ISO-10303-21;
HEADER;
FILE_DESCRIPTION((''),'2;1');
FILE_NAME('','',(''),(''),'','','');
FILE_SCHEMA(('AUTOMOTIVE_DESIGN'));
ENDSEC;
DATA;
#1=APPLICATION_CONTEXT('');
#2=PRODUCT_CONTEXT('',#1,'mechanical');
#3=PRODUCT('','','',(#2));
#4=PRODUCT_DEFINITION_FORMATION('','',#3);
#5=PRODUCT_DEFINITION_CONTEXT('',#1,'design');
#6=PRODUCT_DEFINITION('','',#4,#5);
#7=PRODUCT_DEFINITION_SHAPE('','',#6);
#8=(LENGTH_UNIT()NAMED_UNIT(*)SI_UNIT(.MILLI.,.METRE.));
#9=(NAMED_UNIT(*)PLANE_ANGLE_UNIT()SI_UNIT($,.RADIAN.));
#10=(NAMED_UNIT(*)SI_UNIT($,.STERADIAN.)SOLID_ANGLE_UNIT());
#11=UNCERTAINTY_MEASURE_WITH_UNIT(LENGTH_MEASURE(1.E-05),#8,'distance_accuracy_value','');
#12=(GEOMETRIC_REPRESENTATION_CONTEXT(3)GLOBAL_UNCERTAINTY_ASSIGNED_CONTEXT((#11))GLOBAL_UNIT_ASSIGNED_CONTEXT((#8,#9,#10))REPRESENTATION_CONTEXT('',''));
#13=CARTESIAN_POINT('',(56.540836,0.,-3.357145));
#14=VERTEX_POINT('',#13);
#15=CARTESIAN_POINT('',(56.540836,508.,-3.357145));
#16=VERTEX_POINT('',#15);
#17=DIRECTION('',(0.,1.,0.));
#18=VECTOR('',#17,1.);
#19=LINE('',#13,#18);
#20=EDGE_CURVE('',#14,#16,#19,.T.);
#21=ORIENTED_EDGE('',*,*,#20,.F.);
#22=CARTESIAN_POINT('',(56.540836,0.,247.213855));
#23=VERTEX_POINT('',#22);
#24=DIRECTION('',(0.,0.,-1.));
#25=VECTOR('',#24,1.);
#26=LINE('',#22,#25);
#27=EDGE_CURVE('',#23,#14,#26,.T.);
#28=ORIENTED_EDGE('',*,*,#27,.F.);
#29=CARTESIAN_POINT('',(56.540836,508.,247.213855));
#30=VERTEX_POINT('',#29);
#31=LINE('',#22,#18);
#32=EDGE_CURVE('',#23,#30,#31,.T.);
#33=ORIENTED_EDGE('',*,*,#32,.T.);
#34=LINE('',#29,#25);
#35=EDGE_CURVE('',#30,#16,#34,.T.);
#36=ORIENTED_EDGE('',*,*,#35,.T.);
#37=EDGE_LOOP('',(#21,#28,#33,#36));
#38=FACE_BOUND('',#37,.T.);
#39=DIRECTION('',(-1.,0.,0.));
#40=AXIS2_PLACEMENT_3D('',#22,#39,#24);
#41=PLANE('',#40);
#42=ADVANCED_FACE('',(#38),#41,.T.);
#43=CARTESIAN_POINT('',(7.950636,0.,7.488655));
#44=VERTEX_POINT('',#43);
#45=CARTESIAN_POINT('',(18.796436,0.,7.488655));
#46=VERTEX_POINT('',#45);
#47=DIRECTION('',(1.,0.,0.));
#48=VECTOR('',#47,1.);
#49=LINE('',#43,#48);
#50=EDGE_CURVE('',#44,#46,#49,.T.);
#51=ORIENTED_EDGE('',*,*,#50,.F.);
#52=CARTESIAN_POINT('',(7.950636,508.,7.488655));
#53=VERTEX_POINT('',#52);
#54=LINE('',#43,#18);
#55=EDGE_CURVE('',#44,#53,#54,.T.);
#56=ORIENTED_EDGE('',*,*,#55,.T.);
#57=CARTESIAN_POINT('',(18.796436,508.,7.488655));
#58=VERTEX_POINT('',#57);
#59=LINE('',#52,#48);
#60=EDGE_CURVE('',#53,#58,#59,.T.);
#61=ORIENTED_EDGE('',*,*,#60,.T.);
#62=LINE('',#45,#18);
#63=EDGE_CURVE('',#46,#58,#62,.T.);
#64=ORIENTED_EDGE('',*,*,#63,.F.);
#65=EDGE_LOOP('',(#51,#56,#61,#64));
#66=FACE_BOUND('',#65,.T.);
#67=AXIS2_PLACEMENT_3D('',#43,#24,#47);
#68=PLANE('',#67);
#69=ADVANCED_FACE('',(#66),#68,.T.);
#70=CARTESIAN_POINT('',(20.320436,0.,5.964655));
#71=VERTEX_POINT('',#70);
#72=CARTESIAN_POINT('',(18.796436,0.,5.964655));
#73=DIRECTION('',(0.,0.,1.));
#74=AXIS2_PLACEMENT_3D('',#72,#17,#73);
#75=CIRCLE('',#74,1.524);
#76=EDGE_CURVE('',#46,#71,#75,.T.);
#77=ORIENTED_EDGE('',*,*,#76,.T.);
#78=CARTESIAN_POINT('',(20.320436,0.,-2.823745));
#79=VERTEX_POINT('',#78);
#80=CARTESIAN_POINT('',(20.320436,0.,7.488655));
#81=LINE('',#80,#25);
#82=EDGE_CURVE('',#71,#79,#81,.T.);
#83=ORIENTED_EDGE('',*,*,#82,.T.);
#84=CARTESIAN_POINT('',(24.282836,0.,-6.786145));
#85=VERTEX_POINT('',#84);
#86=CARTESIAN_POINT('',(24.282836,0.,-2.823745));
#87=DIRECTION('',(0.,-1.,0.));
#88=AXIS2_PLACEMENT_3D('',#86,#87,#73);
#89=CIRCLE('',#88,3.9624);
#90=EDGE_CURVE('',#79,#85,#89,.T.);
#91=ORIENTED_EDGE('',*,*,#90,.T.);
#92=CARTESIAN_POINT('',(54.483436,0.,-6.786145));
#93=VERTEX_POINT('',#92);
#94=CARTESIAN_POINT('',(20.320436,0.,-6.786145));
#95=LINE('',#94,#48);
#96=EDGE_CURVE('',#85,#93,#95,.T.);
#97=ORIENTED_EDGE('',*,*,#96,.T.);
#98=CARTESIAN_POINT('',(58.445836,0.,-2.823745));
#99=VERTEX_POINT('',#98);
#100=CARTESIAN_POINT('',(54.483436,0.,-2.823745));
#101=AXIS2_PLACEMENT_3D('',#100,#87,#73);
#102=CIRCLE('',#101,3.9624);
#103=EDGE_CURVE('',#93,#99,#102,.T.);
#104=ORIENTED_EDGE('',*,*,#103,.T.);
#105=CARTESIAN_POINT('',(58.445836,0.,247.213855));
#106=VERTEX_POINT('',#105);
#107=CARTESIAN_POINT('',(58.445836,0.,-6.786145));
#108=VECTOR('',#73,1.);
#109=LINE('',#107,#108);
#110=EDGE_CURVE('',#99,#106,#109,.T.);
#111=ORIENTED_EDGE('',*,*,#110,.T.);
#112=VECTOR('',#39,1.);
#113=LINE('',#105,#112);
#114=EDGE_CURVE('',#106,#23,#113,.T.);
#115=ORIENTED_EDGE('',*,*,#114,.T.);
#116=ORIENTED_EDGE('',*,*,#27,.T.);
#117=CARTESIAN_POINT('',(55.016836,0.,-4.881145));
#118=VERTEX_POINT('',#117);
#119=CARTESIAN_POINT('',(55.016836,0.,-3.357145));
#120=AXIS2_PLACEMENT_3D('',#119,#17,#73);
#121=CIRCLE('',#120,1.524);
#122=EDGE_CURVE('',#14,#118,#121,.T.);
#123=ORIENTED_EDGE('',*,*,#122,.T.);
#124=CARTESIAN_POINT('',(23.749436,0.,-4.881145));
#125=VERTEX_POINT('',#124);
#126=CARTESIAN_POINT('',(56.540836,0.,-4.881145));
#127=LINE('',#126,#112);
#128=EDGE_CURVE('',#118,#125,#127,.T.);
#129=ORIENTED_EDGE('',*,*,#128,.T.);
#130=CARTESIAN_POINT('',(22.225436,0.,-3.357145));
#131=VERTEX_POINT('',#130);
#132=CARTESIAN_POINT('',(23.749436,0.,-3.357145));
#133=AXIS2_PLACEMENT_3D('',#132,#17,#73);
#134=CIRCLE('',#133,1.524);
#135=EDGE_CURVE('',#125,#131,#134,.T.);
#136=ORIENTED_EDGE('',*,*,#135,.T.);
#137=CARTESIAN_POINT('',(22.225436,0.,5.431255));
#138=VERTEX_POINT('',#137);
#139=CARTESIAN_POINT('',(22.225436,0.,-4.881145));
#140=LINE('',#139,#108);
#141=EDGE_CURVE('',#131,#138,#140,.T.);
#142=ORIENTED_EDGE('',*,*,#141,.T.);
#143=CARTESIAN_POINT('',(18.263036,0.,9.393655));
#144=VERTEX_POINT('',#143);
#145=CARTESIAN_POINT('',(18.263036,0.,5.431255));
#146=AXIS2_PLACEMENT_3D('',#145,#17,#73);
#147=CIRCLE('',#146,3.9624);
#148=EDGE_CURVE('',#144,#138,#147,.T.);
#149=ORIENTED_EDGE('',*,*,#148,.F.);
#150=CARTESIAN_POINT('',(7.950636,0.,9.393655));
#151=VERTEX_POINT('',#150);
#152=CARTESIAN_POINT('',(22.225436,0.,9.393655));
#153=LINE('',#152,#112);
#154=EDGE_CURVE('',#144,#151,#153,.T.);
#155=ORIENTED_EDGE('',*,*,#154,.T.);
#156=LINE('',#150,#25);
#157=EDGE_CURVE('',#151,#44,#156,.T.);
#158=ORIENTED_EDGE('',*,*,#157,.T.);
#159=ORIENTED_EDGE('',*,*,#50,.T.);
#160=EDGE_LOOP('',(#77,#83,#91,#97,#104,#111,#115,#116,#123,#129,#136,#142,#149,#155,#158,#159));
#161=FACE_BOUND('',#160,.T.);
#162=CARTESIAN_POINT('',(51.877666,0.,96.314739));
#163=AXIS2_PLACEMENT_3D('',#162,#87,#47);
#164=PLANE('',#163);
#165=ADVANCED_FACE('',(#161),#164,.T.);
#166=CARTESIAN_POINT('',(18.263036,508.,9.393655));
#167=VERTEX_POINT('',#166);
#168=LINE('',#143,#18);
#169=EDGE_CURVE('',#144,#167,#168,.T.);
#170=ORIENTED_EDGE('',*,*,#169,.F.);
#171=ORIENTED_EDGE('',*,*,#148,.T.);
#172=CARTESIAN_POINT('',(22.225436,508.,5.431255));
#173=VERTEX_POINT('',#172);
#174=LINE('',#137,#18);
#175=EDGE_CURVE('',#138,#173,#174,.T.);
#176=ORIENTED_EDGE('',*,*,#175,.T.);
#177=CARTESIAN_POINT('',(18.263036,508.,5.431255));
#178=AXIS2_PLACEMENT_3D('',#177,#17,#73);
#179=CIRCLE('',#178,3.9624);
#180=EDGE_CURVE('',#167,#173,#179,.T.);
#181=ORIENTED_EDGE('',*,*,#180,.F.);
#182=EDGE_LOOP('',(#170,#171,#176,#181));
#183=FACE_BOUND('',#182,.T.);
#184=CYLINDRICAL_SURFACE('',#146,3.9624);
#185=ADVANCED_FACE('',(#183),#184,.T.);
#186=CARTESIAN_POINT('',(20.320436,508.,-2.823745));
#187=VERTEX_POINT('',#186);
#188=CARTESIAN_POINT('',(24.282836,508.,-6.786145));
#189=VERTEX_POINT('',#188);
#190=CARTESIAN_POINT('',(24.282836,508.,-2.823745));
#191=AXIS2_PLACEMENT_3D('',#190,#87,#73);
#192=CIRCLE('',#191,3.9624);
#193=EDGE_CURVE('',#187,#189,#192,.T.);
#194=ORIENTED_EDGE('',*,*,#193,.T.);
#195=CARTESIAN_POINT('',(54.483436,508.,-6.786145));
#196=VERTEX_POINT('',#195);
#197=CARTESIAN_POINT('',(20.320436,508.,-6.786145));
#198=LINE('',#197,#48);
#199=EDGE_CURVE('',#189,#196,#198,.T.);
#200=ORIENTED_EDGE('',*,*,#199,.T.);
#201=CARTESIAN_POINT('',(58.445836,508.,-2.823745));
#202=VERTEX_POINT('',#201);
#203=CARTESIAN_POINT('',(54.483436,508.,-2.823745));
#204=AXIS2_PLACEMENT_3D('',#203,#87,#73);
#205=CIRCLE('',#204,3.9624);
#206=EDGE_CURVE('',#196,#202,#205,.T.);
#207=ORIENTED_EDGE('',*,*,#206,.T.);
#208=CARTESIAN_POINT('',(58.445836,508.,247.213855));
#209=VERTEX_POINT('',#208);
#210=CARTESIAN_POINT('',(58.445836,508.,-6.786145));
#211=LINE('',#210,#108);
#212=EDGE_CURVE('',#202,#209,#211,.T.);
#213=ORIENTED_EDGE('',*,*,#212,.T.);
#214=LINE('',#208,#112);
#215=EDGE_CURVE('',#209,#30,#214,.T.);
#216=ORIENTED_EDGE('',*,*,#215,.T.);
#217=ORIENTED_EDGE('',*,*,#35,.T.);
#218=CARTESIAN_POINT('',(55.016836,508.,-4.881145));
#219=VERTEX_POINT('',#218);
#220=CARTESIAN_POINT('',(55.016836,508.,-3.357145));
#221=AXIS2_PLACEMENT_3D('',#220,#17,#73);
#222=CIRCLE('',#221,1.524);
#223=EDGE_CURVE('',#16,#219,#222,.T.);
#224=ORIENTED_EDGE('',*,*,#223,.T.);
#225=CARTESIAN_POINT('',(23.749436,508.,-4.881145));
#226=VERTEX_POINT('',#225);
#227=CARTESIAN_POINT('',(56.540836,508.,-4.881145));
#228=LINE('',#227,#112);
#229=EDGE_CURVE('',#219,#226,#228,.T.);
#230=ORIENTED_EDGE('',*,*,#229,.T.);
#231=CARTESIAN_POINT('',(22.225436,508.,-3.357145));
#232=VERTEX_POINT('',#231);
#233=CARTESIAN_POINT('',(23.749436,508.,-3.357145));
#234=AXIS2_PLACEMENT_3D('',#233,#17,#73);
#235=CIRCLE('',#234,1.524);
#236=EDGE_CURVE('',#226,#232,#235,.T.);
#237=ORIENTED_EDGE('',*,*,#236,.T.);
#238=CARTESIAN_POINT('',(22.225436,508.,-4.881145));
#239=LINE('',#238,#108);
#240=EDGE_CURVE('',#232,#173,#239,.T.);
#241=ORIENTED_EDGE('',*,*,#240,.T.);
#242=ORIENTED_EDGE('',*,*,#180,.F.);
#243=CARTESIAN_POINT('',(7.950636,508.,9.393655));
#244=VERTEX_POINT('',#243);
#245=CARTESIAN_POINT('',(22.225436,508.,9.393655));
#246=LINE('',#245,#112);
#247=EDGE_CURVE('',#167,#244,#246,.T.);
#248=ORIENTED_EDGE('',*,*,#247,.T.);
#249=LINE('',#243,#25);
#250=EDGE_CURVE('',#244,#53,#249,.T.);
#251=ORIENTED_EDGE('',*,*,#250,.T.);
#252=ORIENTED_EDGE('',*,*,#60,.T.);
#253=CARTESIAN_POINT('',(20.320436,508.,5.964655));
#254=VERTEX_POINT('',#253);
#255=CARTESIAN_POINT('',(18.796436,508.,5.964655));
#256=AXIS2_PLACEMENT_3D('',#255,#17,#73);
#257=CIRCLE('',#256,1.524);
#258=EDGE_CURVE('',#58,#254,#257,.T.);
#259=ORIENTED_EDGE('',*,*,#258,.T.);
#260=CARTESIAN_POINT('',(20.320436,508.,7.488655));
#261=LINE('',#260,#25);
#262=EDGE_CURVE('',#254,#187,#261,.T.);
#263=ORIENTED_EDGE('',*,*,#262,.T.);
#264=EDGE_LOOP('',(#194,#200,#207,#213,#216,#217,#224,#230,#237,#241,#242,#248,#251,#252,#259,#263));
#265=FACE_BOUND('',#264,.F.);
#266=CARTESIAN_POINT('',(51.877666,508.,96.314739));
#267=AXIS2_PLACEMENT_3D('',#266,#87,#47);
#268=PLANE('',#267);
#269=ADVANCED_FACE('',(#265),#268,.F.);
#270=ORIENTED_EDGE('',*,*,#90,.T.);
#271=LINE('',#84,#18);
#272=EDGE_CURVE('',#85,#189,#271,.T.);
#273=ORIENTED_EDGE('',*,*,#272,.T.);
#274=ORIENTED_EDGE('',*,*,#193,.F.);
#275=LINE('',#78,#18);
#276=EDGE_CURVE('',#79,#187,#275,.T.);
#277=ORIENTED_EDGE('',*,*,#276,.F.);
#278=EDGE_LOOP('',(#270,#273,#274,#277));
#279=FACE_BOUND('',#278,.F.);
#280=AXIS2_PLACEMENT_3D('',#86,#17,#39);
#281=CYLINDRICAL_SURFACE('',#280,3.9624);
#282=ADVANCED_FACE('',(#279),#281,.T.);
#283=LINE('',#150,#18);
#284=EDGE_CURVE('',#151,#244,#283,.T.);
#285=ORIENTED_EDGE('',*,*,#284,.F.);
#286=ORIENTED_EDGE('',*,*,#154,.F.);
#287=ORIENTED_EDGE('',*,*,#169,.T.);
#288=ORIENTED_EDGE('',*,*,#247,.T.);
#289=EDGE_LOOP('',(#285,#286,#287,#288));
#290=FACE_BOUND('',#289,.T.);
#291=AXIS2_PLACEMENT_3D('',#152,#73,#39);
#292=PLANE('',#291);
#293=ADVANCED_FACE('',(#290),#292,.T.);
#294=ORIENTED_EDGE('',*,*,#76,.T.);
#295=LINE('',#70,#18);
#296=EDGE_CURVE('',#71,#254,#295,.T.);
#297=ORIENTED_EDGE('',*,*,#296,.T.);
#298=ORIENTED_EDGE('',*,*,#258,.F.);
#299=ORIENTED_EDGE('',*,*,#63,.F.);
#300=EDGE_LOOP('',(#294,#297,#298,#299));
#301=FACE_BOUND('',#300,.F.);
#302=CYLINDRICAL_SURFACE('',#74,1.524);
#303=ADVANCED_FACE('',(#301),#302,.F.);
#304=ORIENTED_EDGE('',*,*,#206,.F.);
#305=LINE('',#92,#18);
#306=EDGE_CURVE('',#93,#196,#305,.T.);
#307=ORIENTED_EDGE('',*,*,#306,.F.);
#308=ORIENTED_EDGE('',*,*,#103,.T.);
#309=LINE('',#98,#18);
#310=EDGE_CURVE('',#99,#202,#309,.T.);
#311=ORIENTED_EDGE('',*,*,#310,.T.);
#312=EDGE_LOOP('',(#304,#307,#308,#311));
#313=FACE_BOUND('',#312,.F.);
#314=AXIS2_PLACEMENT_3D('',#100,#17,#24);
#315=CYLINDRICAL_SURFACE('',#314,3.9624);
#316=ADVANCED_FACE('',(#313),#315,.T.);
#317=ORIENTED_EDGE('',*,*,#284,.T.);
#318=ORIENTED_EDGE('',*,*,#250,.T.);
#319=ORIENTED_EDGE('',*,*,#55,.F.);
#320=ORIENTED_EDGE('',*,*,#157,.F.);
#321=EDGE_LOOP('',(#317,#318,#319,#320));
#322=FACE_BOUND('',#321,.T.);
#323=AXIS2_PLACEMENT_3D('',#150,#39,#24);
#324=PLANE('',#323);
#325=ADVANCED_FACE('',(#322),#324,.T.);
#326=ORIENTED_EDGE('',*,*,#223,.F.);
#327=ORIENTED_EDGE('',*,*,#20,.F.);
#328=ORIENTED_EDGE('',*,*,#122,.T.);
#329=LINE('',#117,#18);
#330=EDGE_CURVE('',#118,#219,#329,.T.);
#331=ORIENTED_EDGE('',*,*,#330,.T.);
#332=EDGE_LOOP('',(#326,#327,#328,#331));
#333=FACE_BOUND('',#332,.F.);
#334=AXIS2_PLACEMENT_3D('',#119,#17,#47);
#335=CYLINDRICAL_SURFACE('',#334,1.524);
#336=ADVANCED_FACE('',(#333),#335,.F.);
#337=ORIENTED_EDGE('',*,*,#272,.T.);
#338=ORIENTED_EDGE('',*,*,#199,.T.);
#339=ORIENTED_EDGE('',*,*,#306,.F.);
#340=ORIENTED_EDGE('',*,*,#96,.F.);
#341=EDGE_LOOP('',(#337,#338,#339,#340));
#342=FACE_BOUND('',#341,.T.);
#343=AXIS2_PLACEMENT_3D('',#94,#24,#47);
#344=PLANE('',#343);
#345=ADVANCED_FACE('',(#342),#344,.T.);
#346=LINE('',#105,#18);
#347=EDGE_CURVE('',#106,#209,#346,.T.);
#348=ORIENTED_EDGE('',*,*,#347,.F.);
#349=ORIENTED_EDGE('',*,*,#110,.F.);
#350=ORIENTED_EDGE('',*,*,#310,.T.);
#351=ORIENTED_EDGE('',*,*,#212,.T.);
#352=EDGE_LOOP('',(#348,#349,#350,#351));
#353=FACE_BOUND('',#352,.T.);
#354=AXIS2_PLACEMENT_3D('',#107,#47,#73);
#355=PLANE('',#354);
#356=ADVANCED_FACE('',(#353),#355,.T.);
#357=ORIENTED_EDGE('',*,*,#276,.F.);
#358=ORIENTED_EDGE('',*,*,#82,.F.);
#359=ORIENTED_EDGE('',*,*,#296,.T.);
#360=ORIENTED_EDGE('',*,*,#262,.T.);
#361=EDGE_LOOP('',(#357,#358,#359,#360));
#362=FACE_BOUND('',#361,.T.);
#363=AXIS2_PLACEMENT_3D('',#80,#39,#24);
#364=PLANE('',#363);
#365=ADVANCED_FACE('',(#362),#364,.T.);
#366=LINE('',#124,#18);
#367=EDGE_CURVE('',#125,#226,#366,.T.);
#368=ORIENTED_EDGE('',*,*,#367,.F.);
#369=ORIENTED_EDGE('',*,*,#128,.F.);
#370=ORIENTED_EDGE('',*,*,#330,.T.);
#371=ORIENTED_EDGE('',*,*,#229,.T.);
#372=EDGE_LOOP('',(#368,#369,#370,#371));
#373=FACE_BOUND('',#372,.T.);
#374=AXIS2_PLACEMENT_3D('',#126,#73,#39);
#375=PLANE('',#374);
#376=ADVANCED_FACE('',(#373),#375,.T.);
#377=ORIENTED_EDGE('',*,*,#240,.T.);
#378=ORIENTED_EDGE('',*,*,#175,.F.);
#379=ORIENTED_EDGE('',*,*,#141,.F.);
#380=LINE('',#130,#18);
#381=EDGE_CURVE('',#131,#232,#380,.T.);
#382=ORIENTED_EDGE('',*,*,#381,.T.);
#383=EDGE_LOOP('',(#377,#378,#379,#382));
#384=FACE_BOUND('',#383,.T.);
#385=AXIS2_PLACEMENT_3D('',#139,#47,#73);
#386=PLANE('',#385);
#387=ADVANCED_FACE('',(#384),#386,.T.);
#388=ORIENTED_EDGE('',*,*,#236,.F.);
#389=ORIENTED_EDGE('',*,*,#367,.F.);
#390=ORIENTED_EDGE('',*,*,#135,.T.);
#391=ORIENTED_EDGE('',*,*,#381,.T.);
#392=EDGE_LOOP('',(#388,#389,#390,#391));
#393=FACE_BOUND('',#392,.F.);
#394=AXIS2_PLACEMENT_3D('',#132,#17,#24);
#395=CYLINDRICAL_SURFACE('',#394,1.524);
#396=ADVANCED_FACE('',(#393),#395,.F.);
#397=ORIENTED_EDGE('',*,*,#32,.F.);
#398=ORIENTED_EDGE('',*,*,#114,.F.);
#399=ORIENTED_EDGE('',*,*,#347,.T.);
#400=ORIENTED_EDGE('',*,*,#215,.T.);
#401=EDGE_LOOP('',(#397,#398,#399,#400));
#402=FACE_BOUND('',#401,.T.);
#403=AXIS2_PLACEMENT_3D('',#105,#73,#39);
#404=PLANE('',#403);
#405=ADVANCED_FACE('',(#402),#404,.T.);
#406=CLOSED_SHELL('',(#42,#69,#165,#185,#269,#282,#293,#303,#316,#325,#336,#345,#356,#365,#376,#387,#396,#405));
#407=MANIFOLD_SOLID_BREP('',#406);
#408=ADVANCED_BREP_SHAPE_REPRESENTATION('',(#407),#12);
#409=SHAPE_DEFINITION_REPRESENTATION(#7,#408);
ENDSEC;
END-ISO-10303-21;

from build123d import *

# Parameters (mm, degrees)
F1_DEPTH = 508
F2_R     = 1.524
F3_R     = 3.9624


with BuildPart() as f1:
    # F0 (on Front) → F1 (new body)
    with BuildSketch(Plane.XZ):
        Polygon((7.950636, 9.393655), (7.950636, 7.488655), (20.320436, 7.488655), (20.320436, -6.786145), (58.445836, -6.786145), (58.445836, 247.213855), (56.540836, 247.213855), (56.540836, -4.881145), (22.225436, -4.881145), (22.225436, 9.393655), align=None)
    extrude(amount=-F1_DEPTH)

    # F2
    f2_edges = [f1.edges().sort_by_distance(p)[0] for p in [
        (20.320436, 254, 7.488655),
        (22.225436, 254, -4.881145),
        (56.540836, 254, -4.881145),
    ]]
    fillet(f2_edges, radius=F2_R)

    # F3
    f3_edges = [f1.edges().sort_by_distance(p)[0] for p in [
        (22.225436, 254, 9.393655),
        (20.320436, 254, -6.786145),
        (58.445836, 254, -6.786145),
    ]]
    fillet(f3_edges, radius=F3_R)


solid = f1.part
